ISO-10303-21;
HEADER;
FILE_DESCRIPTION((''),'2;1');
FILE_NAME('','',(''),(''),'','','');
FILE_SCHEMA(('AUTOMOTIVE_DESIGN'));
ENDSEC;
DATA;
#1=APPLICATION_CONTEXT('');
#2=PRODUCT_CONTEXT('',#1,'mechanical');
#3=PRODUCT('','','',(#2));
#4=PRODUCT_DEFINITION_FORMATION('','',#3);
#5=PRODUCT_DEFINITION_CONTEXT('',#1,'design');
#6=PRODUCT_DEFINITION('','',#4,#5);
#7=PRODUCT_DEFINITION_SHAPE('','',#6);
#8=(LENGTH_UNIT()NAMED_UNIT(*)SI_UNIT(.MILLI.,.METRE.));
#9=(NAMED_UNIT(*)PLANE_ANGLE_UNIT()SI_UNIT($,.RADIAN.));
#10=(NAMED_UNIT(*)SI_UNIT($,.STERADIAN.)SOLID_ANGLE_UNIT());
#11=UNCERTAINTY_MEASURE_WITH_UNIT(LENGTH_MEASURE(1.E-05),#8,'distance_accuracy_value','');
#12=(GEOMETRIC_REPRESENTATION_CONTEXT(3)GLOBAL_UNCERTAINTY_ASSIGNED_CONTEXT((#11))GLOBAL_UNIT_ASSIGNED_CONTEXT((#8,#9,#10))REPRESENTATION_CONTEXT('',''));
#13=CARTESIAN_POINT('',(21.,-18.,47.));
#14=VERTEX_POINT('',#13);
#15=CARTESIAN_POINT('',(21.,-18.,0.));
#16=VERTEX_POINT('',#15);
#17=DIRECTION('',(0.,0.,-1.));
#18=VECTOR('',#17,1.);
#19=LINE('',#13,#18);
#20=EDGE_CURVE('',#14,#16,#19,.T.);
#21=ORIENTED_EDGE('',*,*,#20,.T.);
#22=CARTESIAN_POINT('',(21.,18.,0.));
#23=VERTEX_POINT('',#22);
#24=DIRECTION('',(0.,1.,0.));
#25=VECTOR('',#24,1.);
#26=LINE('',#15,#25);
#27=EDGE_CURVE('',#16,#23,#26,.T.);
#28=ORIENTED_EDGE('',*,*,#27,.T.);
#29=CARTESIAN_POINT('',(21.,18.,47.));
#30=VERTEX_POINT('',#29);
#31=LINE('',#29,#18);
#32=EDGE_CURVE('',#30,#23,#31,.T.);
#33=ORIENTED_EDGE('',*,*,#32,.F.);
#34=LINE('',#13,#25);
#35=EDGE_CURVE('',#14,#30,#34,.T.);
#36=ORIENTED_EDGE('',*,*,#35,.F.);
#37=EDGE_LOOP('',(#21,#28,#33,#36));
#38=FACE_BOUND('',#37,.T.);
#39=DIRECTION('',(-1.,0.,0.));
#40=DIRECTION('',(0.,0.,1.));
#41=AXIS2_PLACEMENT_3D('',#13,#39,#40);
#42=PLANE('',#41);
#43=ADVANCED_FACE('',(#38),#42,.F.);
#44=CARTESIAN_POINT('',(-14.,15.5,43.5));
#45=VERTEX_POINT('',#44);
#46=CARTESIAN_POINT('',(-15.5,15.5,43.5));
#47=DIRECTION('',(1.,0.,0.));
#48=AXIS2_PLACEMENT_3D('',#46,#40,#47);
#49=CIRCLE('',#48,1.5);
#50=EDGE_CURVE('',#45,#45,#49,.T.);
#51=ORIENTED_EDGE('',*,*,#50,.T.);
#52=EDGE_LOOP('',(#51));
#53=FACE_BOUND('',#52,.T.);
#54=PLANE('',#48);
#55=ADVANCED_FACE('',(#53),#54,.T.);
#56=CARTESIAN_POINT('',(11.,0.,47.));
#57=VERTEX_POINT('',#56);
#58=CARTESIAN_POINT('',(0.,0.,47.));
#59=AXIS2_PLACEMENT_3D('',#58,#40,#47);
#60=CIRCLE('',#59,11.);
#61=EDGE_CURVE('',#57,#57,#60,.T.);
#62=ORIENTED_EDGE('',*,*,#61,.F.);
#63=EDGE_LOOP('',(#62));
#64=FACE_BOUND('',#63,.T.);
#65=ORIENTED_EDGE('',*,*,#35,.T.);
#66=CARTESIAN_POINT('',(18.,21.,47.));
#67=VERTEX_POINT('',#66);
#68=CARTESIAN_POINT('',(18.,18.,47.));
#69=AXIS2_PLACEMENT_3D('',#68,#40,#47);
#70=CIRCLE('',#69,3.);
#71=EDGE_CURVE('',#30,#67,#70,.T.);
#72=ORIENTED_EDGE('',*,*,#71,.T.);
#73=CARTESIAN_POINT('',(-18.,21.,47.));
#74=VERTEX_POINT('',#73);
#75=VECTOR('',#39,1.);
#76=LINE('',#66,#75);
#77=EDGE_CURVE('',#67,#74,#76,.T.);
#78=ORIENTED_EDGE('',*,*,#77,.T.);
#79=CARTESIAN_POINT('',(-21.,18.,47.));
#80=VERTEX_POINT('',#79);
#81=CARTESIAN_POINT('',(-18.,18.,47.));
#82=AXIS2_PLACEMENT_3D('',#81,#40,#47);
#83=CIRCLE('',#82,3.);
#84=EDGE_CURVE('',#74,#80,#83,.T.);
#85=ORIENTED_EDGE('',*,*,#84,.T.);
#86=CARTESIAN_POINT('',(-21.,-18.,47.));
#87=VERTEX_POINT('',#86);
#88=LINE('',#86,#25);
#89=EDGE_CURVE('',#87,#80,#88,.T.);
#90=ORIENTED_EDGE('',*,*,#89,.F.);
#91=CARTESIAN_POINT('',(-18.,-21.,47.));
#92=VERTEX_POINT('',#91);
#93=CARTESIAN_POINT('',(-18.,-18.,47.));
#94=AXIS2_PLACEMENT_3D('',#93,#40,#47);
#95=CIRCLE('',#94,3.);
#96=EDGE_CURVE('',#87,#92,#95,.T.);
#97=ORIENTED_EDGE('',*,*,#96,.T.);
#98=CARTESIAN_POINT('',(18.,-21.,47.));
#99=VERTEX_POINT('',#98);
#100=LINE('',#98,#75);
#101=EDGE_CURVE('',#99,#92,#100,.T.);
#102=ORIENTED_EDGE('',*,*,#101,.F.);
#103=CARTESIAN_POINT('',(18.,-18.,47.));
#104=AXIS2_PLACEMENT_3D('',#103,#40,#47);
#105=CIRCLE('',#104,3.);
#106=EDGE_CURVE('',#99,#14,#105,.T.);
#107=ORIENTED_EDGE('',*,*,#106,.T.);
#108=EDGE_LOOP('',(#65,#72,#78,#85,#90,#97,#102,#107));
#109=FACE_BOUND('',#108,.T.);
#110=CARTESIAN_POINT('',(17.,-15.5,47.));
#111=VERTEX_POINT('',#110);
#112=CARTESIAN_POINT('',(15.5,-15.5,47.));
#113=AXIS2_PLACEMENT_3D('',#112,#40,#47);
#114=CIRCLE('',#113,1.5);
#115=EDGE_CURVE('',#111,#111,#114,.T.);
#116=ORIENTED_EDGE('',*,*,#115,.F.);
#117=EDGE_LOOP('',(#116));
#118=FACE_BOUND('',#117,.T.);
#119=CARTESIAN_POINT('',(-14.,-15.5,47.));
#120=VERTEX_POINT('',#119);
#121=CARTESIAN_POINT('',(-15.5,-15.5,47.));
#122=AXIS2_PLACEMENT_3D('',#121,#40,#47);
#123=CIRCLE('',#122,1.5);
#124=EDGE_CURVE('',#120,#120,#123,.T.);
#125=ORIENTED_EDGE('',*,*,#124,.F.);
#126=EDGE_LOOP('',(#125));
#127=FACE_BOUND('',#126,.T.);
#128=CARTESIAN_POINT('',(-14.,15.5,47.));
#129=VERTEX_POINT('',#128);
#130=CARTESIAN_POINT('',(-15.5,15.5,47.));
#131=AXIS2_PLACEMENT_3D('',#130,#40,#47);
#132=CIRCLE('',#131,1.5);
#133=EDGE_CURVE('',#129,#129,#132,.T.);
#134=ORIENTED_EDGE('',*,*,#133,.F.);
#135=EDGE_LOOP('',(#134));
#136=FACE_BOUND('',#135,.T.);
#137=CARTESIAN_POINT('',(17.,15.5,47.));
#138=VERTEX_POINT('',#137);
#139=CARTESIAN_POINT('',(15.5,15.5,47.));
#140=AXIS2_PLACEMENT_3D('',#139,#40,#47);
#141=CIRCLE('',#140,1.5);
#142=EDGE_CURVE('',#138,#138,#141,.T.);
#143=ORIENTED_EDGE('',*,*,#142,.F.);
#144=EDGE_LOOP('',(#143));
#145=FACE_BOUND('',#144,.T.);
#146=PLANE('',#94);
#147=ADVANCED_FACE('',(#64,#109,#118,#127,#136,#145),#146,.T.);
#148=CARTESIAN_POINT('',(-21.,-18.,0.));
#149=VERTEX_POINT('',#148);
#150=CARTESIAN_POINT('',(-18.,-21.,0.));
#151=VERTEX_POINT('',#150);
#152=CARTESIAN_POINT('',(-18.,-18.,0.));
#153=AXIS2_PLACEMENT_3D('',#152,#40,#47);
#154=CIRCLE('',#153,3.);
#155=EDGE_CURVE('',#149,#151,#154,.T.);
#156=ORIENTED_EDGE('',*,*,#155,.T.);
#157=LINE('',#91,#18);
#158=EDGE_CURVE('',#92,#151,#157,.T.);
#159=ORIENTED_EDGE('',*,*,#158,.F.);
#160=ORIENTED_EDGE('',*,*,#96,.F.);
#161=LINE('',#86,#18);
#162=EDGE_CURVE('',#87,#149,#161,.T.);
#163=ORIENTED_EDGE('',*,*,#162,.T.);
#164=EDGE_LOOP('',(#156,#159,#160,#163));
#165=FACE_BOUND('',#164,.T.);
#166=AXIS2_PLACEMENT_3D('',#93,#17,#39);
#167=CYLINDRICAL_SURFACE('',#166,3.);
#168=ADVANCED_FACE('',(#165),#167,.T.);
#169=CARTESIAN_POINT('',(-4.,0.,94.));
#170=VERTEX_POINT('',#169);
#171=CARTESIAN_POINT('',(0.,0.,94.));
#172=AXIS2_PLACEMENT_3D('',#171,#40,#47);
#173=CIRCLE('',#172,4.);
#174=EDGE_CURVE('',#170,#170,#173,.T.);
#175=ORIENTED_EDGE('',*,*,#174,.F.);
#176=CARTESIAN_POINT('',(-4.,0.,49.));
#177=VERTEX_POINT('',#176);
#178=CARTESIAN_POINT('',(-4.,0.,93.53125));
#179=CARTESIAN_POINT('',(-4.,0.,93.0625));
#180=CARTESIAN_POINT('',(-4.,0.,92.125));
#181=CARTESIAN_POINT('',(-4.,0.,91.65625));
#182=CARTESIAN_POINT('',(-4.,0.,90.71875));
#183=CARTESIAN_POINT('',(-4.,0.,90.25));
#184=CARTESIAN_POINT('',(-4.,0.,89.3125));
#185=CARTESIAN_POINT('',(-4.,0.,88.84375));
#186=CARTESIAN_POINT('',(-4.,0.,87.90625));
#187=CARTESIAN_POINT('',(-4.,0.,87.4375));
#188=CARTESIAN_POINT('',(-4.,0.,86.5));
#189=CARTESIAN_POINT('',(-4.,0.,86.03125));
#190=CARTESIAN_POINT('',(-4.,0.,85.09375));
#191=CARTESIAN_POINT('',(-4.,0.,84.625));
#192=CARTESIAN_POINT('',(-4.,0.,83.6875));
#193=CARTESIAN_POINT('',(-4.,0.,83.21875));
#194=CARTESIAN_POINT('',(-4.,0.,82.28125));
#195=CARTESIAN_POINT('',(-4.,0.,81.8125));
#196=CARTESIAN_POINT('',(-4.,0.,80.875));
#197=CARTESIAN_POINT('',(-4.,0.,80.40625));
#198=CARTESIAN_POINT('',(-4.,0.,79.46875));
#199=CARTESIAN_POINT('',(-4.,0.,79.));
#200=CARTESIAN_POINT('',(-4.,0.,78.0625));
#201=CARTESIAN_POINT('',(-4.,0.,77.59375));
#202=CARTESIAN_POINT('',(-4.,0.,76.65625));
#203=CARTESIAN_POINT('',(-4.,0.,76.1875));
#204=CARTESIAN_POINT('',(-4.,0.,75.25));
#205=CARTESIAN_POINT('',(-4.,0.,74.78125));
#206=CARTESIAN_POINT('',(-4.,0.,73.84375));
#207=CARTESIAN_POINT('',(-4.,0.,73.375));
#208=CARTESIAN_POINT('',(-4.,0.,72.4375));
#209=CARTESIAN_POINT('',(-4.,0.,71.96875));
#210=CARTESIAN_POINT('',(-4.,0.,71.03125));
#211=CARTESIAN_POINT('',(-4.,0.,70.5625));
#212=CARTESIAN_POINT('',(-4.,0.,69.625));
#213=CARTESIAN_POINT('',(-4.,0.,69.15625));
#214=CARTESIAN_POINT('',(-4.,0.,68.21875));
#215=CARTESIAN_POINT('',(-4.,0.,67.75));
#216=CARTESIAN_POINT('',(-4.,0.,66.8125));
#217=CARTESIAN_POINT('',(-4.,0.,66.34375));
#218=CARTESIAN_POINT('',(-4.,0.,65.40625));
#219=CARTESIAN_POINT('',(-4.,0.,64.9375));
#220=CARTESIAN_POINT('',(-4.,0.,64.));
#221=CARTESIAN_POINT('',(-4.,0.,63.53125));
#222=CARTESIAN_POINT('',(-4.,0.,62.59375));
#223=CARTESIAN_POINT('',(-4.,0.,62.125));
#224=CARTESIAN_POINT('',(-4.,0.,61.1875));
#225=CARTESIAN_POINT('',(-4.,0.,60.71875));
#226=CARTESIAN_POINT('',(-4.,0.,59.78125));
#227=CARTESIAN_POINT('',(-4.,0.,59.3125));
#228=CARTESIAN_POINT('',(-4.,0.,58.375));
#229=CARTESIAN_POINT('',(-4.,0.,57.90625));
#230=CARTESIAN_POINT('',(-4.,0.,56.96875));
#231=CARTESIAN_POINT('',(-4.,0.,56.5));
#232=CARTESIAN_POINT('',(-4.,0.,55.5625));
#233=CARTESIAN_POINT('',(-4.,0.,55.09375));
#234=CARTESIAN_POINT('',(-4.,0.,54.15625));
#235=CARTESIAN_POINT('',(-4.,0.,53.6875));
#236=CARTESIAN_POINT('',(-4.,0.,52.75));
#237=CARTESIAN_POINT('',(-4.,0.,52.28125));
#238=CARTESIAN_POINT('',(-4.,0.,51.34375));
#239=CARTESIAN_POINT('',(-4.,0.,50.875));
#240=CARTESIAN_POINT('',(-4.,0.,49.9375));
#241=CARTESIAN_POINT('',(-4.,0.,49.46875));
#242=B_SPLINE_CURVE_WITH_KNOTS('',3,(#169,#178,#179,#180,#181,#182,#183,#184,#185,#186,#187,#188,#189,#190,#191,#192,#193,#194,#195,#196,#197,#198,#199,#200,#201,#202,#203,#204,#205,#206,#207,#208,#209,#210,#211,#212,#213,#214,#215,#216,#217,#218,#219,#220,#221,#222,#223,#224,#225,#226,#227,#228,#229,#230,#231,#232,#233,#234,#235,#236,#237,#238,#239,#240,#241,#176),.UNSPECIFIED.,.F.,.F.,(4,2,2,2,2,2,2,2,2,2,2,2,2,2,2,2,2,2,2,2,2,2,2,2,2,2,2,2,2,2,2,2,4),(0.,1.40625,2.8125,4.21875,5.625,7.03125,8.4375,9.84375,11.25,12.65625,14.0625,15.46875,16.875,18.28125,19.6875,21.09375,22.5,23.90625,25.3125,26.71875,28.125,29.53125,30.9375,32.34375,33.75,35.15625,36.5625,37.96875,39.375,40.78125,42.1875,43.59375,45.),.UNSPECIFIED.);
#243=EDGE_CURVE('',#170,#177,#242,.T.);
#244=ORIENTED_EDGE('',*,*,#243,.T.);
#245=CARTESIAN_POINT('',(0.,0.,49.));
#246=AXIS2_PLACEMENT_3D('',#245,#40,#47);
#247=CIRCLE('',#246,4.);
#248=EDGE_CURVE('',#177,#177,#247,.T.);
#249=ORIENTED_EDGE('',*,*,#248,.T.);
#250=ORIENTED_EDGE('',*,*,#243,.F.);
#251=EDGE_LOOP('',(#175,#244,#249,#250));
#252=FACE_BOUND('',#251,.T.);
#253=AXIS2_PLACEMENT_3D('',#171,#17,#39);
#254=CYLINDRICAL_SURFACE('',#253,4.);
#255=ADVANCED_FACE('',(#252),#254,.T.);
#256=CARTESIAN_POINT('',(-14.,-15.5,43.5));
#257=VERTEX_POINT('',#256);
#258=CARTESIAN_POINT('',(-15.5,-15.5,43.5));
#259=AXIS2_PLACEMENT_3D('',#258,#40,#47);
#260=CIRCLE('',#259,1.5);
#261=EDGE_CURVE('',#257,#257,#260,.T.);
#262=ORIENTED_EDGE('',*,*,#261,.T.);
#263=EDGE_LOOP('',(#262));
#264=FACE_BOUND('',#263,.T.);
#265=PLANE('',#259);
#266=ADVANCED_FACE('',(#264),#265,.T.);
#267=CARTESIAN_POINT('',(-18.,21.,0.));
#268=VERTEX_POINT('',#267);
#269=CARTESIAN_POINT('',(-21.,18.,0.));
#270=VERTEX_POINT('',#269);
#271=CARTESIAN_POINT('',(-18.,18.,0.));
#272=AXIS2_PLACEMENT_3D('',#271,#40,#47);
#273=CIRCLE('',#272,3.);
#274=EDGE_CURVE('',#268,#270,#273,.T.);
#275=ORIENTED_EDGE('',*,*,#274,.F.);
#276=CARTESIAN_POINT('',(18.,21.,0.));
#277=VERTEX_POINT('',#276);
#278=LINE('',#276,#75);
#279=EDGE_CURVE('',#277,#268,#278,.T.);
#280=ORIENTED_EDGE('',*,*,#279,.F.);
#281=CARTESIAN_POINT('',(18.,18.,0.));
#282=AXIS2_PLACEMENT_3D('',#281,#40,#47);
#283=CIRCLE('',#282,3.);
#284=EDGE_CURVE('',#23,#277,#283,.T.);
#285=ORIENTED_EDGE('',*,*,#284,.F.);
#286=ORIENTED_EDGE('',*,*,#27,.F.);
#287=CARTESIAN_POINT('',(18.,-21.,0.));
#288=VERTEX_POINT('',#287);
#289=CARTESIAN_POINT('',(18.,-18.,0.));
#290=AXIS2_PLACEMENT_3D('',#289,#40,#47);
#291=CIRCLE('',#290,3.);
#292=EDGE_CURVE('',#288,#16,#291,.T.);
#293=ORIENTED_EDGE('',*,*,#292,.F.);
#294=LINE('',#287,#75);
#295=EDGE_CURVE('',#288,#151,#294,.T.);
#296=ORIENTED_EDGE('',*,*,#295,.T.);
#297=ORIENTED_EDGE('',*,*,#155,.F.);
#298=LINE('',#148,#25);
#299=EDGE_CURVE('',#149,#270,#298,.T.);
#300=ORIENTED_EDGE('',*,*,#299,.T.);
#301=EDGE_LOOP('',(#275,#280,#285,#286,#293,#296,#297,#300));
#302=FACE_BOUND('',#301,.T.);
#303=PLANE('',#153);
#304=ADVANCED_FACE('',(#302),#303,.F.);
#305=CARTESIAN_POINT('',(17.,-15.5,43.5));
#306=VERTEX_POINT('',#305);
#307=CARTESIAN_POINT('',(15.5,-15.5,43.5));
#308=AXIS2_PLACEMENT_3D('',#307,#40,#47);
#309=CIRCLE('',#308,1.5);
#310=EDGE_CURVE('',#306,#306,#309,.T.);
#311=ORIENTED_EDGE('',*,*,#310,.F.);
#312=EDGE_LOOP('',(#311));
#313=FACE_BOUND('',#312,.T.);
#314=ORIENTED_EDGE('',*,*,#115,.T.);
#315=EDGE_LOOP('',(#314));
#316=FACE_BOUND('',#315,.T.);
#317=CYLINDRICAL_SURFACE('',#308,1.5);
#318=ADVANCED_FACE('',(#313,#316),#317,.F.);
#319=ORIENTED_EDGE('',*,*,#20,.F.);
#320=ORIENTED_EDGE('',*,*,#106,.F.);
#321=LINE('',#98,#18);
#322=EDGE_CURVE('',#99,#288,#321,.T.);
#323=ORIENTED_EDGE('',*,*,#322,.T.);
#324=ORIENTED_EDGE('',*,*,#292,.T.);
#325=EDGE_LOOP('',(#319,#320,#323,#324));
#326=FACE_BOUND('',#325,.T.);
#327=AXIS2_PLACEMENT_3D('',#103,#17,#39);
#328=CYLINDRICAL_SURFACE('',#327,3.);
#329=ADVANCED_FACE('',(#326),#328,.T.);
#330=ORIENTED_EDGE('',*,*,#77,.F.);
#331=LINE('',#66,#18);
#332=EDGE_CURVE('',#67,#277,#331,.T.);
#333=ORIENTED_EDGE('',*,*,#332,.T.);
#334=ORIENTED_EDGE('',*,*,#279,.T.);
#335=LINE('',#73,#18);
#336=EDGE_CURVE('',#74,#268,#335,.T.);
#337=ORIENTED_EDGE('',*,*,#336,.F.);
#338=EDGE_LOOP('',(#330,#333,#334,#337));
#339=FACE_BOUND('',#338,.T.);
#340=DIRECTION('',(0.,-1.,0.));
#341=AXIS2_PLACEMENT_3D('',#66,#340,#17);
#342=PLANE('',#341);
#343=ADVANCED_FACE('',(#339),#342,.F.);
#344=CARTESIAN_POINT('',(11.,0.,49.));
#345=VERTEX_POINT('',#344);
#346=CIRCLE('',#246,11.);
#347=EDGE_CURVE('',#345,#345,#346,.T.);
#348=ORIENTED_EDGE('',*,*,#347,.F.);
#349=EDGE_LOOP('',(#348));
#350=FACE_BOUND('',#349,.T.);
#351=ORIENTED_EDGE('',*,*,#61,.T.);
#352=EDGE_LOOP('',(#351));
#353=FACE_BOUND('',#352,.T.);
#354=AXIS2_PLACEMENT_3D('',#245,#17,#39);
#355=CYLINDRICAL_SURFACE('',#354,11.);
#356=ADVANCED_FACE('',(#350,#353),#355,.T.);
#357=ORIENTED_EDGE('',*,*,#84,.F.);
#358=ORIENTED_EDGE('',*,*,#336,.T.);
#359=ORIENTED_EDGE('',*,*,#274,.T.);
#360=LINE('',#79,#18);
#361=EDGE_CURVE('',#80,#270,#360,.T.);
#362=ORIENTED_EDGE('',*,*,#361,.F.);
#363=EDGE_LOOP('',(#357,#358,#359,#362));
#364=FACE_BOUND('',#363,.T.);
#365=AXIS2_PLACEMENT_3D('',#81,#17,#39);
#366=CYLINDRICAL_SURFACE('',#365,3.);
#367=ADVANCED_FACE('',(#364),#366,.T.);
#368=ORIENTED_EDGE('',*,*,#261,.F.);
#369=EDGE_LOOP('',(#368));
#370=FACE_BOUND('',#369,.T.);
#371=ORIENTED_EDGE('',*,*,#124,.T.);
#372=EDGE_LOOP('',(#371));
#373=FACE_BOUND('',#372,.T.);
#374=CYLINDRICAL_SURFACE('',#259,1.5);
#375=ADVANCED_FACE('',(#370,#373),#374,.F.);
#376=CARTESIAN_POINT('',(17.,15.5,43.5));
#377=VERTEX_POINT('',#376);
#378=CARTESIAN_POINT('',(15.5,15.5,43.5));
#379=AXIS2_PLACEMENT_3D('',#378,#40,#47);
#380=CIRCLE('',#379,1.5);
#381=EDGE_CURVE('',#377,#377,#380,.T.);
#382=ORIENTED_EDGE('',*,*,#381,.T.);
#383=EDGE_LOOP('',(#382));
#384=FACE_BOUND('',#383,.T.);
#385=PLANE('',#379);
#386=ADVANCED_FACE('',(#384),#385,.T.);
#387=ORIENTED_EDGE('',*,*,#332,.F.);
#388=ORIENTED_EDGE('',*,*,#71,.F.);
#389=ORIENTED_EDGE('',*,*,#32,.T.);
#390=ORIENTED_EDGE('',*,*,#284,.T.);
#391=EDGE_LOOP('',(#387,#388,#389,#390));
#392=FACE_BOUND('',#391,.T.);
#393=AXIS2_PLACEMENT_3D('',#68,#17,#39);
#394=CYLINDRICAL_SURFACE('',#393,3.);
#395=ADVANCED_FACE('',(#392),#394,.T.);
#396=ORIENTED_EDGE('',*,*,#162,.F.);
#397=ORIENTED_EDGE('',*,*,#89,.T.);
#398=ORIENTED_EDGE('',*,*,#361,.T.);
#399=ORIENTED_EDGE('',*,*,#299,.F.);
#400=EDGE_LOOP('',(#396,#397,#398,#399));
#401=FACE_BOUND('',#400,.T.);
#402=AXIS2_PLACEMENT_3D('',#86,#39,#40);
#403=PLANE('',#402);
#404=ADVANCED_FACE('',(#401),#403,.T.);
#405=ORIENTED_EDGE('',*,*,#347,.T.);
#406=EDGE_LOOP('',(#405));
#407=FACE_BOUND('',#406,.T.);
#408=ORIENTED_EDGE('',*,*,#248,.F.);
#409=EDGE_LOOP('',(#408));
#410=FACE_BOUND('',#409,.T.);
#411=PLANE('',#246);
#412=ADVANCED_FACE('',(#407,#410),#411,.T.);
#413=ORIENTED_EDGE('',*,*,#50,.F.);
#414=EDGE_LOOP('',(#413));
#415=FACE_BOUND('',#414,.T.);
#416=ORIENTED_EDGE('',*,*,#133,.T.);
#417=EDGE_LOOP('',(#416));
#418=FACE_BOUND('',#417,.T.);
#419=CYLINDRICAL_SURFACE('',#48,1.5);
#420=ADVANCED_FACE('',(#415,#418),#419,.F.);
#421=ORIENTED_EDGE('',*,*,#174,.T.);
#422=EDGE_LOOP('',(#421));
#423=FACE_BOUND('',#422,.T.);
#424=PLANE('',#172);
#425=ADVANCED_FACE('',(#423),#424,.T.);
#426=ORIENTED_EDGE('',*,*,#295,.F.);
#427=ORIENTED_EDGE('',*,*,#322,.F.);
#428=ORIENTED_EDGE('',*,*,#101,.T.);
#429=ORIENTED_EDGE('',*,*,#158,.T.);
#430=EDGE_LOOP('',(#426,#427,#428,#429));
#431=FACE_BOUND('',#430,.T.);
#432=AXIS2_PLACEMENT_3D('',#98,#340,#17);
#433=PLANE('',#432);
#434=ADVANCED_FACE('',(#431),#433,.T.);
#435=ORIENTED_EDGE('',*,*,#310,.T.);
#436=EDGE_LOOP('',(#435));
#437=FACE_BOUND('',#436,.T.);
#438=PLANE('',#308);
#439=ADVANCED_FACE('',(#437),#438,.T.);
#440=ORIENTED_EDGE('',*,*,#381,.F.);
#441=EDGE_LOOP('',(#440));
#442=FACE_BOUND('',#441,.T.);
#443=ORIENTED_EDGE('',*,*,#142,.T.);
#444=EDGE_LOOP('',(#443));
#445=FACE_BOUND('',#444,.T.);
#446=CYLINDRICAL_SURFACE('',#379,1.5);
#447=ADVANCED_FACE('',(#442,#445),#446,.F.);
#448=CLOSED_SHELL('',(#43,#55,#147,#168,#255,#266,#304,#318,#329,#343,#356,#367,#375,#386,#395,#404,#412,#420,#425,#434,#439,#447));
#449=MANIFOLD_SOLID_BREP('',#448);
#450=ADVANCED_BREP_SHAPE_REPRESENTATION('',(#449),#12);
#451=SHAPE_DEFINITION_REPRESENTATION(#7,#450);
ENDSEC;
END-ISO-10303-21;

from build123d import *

# Parameters (mm, degrees)
EXTRUDE_1_DEPTH     = 47
SKETCH_2_R          = 11
EXTRUDE_2_DEPTH     = 2
SKETCH_3_R          = 4
EXTRUDE_3_DEPTH     = 45
SKETCH_6_R          = 1.5
CUT_EXTRUDE_2_DEPTH = 3.5


with BuildPart() as part:
    # 草图1 → 凸台-拉伸1 (new body)
    with BuildSketch(Plane.XY):
        with BuildLine():
            Line((18, -21), (-18, -21))
            ThreePointArc((-18, -21), (-20.121320344, -20.121320344), (-21, -18))
            Line((-21, -18), (-21, 18))
            ThreePointArc((-21, 18), (-20.121320344, 20.121320344), (-18, 21))
            Line((-18, 21), (18, 21))
            ThreePointArc((18, 21), (20.121320344, 20.121320344), (21, 18))
            Line((21, 18), (21, -18))
            ThreePointArc((21, -18), (20.121320344, -20.121320344), (18, -21))
        make_face()
    extrude(amount=EXTRUDE_1_DEPTH)

    # 草图2 → 凸台-拉伸2 (add)
    with BuildSketch(Plane.XY.offset(47)):
        Circle(SKETCH_2_R)
    extrude(amount=EXTRUDE_2_DEPTH)

    # 草图3 → 凸台-拉伸3 (add)
    with BuildSketch(Plane.XY.offset(49)):
        with Locations(Location((0, 0, 0), (0, 0, 180))):
            Circle(SKETCH_3_R)
    extrude(amount=EXTRUDE_3_DEPTH)

    # 草图6 → 切除-拉伸2 (cut)
    with BuildSketch(Plane.XY.offset(47)):
        with Locations((-15.5, 15.5)):
            Circle(SKETCH_6_R)
        with Locations((15.5, 15.5)):
            Circle(SKETCH_6_R)
        with Locations((15.5, -15.5)):
            Circle(SKETCH_6_R)
        with Locations((-15.5, -15.5)):
            Circle(SKETCH_6_R)
    extrude(amount=-CUT_EXTRUDE_2_DEPTH, mode=Mode.SUBTRACT)


solid = part.part
